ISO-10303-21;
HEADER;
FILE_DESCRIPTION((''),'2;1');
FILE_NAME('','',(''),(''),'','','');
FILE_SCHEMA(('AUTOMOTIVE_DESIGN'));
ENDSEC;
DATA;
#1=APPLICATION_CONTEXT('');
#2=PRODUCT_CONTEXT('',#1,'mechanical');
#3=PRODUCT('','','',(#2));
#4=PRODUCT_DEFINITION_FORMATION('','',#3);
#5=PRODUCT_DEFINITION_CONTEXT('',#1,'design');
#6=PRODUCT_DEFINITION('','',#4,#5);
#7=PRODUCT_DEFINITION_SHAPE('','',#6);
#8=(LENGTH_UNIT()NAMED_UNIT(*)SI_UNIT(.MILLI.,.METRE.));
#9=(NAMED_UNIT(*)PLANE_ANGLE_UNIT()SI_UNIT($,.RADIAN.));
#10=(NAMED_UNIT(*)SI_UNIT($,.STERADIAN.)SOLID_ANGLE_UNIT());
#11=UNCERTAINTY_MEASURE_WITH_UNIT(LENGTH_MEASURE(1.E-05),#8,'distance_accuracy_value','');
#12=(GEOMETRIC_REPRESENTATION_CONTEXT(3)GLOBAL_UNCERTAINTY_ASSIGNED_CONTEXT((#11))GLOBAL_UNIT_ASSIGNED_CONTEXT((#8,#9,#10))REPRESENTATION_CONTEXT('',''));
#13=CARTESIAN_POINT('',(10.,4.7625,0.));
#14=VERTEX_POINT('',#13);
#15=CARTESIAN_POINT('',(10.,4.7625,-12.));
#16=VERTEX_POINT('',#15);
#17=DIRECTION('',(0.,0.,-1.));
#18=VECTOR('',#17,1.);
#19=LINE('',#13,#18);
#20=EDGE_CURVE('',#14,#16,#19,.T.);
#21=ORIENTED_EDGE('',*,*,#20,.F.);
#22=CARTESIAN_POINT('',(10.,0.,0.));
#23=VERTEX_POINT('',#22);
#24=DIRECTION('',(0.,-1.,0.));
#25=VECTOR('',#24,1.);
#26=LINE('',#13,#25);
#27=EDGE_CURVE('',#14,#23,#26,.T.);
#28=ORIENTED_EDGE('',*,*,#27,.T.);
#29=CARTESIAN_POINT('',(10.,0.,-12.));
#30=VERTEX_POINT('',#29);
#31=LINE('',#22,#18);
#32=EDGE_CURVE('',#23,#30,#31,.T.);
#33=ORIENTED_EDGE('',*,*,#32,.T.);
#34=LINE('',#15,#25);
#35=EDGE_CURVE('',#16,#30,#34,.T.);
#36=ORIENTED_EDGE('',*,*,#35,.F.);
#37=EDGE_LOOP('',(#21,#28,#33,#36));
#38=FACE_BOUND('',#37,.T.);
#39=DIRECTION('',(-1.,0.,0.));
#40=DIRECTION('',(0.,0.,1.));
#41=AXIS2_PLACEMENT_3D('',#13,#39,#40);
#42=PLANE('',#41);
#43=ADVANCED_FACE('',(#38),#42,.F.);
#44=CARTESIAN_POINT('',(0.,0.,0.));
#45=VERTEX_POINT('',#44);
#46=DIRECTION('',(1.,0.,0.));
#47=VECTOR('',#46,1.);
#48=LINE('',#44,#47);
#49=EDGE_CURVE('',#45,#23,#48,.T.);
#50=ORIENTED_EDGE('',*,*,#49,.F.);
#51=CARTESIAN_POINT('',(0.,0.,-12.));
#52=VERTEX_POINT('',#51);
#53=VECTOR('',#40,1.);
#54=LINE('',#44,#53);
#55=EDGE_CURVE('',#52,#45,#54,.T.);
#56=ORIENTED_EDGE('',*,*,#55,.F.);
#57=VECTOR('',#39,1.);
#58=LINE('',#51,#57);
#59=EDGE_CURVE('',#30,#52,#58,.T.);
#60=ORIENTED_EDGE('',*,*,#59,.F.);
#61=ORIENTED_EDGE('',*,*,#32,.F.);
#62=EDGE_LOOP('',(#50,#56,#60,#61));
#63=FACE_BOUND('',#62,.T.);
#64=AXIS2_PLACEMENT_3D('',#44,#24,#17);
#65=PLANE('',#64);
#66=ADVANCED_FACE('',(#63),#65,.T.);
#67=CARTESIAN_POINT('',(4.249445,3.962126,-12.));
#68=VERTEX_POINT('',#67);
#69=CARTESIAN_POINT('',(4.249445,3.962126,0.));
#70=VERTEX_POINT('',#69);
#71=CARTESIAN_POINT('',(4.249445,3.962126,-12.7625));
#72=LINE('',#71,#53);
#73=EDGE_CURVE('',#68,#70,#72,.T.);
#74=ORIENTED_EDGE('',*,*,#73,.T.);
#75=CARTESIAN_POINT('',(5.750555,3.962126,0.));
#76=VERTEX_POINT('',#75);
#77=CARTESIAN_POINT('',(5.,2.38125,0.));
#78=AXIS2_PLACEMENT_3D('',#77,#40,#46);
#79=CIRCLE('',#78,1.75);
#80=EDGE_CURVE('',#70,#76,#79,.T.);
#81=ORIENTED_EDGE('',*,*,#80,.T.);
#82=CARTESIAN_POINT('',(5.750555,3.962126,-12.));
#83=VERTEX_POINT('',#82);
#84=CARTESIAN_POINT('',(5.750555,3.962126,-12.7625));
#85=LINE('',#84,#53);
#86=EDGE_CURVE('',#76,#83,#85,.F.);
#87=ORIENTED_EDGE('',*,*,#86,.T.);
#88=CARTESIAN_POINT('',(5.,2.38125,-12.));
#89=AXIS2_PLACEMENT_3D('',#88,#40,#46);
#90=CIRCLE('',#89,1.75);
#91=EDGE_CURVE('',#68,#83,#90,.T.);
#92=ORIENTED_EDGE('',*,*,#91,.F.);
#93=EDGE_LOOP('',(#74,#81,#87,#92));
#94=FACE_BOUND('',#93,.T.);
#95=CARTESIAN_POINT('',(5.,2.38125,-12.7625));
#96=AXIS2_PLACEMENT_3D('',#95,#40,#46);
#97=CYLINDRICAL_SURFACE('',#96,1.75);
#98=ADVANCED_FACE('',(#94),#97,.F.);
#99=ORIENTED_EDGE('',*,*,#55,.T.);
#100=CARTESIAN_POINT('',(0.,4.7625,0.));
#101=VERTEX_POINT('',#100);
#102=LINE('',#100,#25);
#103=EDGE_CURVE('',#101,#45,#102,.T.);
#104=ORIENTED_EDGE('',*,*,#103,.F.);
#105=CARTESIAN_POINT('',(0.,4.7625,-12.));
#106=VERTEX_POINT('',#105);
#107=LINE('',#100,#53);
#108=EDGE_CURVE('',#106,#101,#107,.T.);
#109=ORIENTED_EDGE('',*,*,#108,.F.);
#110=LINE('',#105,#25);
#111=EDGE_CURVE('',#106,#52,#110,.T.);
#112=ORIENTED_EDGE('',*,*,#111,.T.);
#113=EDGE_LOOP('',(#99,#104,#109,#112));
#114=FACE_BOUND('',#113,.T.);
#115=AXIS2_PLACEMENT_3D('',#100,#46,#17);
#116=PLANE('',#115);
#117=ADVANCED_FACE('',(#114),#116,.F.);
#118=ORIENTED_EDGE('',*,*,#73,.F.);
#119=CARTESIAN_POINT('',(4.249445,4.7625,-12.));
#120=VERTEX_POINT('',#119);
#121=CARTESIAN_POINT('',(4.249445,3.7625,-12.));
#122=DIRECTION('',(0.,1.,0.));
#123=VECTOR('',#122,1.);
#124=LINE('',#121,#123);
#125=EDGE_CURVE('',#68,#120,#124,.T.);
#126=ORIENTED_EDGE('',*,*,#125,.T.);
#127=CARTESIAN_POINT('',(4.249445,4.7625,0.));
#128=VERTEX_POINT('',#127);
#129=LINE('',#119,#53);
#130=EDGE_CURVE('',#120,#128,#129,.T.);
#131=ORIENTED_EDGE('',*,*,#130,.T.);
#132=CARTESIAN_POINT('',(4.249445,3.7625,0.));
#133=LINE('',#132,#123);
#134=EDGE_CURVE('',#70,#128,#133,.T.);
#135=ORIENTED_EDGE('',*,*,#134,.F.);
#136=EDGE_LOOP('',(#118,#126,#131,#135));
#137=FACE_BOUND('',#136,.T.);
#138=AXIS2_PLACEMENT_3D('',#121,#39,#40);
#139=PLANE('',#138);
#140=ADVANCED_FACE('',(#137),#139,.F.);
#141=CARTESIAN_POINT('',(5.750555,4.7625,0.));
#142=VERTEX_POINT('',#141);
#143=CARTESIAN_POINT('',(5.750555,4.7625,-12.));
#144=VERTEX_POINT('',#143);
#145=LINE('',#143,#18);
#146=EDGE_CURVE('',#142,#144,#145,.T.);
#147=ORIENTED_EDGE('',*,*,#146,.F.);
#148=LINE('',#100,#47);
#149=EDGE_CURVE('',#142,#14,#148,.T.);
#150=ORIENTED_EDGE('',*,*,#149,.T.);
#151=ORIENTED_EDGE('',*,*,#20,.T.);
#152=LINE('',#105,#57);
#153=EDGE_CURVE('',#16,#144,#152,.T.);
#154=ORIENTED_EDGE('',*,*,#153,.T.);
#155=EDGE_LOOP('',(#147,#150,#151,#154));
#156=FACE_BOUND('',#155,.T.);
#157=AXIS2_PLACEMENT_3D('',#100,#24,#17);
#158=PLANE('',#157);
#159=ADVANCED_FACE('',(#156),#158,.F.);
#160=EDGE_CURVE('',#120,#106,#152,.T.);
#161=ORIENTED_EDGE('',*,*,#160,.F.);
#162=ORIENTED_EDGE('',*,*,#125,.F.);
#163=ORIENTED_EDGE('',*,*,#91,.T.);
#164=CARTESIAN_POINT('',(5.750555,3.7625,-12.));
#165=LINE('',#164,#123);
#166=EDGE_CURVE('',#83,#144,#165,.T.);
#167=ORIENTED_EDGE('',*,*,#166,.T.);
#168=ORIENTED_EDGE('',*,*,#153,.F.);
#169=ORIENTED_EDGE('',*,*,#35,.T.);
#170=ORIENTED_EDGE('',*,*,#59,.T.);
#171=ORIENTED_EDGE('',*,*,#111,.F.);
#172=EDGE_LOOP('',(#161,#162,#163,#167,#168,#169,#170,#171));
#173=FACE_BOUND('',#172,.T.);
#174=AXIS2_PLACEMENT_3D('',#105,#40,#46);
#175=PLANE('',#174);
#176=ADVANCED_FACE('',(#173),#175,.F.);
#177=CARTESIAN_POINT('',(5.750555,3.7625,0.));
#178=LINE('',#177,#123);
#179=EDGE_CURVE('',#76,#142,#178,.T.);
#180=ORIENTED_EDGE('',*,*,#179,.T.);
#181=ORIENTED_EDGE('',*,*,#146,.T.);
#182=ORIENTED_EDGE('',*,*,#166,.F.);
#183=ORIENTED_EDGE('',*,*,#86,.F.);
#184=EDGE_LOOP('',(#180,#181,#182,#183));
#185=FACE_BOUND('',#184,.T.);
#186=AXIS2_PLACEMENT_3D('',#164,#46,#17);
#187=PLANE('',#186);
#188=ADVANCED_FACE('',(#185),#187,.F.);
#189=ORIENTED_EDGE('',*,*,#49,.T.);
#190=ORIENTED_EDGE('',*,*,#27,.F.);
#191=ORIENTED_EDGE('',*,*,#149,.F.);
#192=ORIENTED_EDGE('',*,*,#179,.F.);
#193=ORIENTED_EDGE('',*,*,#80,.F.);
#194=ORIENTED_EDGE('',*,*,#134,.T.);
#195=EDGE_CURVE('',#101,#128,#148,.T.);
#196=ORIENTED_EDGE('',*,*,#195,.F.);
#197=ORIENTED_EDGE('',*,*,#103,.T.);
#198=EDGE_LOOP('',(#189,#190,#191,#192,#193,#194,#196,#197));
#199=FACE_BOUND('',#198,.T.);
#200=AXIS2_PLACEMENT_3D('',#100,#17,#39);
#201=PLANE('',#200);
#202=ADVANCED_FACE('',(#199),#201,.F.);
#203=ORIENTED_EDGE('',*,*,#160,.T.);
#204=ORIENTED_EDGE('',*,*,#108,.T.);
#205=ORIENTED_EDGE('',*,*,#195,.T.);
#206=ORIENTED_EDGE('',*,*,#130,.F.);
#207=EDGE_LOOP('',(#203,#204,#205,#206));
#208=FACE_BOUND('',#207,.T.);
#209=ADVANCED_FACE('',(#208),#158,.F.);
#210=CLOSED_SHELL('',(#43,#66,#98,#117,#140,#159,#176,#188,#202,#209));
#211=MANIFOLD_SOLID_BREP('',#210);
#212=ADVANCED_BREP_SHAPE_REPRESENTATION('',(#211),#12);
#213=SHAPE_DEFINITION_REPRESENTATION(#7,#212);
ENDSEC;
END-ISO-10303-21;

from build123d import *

# Parameters (mm, degrees)
SKETCH1_W           = 10
SKETCH1_H           = 12
BOSS_EXTRUDE1_DEPTH = 4.7625
SKETCH2_R           = 1.75
CUT_EXTRUDE1_DEPTH  = 12.7625
SKETCH4_W           = 1.501109308
SKETCH4_H           = 12
CUT_EXTRUDE2_DEPTH  = 1


with BuildPart() as part:
    # Sketch1 → Boss-Extrude1 (new body)
    with BuildSketch(Plane(origin=(0, 0, 0), x_dir=(1, 0, 0), z_dir=(0, 1, 0))):
        with Locations((5, 6)):
            Rectangle(SKETCH1_W, SKETCH1_H)
    extrude(amount=BOSS_EXTRUDE1_DEPTH)

    # Sketch2 → Cut-Extrude1 (cut)
    with BuildSketch(Plane.XY):
        with Locations((5, 2.38125)):
            Circle(SKETCH2_R)
    extrude(amount=-CUT_EXTRUDE1_DEPTH, mode=Mode.SUBTRACT)

    # Sketch4 → Cut-Extrude2 (cut)
    with BuildSketch(Plane(origin=(0, 4.7625, 0), x_dir=(1, 0, 0), z_dir=(0, 1, 0))):
        with Locations((5, 6)):
            Rectangle(SKETCH4_W, SKETCH4_H)
    extrude(amount=-CUT_EXTRUDE2_DEPTH, mode=Mode.SUBTRACT)


solid = part.part
